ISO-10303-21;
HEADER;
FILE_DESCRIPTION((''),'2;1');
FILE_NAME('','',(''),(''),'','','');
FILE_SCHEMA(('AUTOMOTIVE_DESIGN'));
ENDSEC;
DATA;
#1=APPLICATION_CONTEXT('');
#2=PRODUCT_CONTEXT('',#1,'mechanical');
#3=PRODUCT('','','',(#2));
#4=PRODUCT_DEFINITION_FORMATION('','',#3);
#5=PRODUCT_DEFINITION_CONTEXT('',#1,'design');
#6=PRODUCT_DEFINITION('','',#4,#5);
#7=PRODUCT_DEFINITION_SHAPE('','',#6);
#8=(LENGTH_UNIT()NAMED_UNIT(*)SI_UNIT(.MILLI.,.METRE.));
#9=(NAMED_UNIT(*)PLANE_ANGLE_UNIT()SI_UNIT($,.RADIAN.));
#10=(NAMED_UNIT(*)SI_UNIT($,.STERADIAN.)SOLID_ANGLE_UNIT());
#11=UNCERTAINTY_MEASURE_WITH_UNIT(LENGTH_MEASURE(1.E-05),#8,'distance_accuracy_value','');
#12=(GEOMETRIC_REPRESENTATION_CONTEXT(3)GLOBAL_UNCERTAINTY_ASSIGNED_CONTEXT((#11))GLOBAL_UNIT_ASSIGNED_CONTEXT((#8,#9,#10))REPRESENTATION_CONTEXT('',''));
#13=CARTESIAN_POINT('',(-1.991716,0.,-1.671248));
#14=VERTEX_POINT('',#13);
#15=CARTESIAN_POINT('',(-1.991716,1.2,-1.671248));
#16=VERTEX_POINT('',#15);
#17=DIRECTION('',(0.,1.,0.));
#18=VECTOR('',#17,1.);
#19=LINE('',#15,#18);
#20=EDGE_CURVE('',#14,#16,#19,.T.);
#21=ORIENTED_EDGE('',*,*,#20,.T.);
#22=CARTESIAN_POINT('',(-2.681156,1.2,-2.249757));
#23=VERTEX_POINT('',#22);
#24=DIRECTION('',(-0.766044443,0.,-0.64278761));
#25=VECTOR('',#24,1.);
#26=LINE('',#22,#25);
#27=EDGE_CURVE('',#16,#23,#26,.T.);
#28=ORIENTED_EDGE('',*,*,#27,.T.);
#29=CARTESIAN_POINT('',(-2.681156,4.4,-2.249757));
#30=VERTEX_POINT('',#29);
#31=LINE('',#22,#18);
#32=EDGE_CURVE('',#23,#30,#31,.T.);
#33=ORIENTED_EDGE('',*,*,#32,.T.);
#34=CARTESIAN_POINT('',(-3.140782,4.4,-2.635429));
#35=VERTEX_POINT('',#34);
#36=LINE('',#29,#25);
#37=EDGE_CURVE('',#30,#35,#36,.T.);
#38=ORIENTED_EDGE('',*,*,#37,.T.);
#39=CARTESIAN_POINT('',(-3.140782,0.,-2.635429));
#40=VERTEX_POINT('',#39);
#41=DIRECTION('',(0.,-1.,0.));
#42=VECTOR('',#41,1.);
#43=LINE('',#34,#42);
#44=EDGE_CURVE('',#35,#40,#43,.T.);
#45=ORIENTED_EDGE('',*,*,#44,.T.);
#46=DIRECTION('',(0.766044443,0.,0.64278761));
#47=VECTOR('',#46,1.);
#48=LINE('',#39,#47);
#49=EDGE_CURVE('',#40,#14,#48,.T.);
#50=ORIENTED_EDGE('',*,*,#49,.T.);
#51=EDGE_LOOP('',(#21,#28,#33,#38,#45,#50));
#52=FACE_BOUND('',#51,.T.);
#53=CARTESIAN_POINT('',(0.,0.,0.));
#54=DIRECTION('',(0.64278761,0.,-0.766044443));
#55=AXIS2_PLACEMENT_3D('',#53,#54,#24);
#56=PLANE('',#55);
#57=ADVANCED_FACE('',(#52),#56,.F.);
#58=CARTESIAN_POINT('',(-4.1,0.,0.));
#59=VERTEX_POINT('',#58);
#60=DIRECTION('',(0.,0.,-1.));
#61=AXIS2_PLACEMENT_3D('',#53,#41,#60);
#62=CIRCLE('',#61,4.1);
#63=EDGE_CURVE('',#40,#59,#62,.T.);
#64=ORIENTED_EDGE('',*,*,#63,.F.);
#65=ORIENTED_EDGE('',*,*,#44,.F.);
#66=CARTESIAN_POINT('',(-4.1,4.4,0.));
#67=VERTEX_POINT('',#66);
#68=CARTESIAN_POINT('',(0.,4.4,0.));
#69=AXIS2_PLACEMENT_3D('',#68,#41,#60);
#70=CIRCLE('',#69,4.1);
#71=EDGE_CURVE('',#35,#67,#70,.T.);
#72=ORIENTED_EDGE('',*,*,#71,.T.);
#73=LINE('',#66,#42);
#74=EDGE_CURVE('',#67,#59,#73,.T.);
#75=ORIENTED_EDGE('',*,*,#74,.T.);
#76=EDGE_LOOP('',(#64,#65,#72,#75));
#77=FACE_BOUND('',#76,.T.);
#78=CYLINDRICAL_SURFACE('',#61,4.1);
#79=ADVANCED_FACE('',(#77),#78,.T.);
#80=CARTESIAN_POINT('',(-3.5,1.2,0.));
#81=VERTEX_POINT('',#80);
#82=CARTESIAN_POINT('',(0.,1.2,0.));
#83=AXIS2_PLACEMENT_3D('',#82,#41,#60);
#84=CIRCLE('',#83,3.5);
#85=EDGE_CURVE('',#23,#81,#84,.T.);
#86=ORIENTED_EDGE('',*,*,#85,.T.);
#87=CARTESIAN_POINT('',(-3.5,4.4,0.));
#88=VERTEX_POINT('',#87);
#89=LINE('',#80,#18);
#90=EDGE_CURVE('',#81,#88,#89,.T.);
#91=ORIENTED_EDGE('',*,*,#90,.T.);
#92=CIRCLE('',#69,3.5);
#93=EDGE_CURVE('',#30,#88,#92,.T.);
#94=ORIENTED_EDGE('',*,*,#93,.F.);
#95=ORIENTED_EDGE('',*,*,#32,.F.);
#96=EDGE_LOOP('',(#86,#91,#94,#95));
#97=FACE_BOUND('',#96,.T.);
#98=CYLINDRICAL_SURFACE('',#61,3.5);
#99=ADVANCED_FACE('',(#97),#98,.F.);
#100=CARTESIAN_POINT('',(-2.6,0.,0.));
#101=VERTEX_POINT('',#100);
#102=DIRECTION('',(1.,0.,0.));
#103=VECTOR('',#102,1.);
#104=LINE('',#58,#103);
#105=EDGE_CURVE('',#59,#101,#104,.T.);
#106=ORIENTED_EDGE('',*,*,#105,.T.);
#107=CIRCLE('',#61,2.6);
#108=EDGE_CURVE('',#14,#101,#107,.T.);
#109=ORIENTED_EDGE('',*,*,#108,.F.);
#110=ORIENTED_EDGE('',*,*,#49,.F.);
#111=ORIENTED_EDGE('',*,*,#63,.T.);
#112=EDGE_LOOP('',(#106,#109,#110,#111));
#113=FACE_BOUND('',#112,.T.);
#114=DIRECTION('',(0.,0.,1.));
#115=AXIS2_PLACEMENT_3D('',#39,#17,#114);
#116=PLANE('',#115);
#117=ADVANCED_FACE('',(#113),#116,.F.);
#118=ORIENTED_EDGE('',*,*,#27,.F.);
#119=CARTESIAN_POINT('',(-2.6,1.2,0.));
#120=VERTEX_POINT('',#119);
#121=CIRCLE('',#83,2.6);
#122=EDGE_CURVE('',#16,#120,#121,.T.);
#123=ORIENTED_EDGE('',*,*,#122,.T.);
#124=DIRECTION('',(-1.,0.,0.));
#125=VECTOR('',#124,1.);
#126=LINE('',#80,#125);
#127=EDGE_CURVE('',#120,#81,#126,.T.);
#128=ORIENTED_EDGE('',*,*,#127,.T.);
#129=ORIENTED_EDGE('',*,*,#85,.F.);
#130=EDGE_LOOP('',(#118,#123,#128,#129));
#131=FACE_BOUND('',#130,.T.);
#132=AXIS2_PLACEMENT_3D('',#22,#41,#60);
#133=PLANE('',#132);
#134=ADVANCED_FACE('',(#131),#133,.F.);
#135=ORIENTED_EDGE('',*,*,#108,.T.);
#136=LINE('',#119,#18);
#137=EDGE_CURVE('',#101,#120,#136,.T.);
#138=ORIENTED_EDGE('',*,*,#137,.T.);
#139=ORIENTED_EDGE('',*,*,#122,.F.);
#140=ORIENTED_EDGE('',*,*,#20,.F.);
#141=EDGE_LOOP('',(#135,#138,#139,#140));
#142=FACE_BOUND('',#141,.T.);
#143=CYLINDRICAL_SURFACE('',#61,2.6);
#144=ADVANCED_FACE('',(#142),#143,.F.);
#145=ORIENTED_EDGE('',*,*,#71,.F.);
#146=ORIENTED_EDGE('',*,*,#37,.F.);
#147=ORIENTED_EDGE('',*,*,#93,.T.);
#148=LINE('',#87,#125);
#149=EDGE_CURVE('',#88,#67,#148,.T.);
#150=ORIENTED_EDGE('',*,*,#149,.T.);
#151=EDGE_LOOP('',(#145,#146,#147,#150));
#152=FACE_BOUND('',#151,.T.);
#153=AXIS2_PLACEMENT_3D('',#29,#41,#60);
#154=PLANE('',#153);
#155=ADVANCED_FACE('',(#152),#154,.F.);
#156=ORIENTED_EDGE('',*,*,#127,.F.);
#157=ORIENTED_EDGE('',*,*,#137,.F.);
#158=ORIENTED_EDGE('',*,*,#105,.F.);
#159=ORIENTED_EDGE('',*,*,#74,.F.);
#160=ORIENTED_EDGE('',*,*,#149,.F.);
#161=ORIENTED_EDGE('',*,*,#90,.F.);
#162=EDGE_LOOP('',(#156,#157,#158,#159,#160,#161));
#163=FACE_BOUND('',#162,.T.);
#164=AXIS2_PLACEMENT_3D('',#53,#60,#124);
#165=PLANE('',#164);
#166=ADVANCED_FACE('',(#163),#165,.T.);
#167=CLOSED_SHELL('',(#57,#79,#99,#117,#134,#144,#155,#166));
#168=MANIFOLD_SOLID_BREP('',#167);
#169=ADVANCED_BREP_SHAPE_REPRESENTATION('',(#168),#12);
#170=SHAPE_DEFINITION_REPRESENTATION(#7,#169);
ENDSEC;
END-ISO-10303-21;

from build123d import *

# Parameters (mm, degrees)
REVOLVE1_ANGLE = 320


with BuildPart() as part:
    # Sketch1 → Revolve1 (revolve)
    with BuildSketch(Plane.XY):
        Polygon((-3.5, 1.2), (-3.5, 4.4), (-4.1, 4.4), (-4.1, 0), (-2.6, 0), (-2.6, 1.2), align=None)
    revolve(axis=Axis((0, 0, 0), (0, 1, 0)), revolution_arc=REVOLVE1_ANGLE)


solid = part.part
